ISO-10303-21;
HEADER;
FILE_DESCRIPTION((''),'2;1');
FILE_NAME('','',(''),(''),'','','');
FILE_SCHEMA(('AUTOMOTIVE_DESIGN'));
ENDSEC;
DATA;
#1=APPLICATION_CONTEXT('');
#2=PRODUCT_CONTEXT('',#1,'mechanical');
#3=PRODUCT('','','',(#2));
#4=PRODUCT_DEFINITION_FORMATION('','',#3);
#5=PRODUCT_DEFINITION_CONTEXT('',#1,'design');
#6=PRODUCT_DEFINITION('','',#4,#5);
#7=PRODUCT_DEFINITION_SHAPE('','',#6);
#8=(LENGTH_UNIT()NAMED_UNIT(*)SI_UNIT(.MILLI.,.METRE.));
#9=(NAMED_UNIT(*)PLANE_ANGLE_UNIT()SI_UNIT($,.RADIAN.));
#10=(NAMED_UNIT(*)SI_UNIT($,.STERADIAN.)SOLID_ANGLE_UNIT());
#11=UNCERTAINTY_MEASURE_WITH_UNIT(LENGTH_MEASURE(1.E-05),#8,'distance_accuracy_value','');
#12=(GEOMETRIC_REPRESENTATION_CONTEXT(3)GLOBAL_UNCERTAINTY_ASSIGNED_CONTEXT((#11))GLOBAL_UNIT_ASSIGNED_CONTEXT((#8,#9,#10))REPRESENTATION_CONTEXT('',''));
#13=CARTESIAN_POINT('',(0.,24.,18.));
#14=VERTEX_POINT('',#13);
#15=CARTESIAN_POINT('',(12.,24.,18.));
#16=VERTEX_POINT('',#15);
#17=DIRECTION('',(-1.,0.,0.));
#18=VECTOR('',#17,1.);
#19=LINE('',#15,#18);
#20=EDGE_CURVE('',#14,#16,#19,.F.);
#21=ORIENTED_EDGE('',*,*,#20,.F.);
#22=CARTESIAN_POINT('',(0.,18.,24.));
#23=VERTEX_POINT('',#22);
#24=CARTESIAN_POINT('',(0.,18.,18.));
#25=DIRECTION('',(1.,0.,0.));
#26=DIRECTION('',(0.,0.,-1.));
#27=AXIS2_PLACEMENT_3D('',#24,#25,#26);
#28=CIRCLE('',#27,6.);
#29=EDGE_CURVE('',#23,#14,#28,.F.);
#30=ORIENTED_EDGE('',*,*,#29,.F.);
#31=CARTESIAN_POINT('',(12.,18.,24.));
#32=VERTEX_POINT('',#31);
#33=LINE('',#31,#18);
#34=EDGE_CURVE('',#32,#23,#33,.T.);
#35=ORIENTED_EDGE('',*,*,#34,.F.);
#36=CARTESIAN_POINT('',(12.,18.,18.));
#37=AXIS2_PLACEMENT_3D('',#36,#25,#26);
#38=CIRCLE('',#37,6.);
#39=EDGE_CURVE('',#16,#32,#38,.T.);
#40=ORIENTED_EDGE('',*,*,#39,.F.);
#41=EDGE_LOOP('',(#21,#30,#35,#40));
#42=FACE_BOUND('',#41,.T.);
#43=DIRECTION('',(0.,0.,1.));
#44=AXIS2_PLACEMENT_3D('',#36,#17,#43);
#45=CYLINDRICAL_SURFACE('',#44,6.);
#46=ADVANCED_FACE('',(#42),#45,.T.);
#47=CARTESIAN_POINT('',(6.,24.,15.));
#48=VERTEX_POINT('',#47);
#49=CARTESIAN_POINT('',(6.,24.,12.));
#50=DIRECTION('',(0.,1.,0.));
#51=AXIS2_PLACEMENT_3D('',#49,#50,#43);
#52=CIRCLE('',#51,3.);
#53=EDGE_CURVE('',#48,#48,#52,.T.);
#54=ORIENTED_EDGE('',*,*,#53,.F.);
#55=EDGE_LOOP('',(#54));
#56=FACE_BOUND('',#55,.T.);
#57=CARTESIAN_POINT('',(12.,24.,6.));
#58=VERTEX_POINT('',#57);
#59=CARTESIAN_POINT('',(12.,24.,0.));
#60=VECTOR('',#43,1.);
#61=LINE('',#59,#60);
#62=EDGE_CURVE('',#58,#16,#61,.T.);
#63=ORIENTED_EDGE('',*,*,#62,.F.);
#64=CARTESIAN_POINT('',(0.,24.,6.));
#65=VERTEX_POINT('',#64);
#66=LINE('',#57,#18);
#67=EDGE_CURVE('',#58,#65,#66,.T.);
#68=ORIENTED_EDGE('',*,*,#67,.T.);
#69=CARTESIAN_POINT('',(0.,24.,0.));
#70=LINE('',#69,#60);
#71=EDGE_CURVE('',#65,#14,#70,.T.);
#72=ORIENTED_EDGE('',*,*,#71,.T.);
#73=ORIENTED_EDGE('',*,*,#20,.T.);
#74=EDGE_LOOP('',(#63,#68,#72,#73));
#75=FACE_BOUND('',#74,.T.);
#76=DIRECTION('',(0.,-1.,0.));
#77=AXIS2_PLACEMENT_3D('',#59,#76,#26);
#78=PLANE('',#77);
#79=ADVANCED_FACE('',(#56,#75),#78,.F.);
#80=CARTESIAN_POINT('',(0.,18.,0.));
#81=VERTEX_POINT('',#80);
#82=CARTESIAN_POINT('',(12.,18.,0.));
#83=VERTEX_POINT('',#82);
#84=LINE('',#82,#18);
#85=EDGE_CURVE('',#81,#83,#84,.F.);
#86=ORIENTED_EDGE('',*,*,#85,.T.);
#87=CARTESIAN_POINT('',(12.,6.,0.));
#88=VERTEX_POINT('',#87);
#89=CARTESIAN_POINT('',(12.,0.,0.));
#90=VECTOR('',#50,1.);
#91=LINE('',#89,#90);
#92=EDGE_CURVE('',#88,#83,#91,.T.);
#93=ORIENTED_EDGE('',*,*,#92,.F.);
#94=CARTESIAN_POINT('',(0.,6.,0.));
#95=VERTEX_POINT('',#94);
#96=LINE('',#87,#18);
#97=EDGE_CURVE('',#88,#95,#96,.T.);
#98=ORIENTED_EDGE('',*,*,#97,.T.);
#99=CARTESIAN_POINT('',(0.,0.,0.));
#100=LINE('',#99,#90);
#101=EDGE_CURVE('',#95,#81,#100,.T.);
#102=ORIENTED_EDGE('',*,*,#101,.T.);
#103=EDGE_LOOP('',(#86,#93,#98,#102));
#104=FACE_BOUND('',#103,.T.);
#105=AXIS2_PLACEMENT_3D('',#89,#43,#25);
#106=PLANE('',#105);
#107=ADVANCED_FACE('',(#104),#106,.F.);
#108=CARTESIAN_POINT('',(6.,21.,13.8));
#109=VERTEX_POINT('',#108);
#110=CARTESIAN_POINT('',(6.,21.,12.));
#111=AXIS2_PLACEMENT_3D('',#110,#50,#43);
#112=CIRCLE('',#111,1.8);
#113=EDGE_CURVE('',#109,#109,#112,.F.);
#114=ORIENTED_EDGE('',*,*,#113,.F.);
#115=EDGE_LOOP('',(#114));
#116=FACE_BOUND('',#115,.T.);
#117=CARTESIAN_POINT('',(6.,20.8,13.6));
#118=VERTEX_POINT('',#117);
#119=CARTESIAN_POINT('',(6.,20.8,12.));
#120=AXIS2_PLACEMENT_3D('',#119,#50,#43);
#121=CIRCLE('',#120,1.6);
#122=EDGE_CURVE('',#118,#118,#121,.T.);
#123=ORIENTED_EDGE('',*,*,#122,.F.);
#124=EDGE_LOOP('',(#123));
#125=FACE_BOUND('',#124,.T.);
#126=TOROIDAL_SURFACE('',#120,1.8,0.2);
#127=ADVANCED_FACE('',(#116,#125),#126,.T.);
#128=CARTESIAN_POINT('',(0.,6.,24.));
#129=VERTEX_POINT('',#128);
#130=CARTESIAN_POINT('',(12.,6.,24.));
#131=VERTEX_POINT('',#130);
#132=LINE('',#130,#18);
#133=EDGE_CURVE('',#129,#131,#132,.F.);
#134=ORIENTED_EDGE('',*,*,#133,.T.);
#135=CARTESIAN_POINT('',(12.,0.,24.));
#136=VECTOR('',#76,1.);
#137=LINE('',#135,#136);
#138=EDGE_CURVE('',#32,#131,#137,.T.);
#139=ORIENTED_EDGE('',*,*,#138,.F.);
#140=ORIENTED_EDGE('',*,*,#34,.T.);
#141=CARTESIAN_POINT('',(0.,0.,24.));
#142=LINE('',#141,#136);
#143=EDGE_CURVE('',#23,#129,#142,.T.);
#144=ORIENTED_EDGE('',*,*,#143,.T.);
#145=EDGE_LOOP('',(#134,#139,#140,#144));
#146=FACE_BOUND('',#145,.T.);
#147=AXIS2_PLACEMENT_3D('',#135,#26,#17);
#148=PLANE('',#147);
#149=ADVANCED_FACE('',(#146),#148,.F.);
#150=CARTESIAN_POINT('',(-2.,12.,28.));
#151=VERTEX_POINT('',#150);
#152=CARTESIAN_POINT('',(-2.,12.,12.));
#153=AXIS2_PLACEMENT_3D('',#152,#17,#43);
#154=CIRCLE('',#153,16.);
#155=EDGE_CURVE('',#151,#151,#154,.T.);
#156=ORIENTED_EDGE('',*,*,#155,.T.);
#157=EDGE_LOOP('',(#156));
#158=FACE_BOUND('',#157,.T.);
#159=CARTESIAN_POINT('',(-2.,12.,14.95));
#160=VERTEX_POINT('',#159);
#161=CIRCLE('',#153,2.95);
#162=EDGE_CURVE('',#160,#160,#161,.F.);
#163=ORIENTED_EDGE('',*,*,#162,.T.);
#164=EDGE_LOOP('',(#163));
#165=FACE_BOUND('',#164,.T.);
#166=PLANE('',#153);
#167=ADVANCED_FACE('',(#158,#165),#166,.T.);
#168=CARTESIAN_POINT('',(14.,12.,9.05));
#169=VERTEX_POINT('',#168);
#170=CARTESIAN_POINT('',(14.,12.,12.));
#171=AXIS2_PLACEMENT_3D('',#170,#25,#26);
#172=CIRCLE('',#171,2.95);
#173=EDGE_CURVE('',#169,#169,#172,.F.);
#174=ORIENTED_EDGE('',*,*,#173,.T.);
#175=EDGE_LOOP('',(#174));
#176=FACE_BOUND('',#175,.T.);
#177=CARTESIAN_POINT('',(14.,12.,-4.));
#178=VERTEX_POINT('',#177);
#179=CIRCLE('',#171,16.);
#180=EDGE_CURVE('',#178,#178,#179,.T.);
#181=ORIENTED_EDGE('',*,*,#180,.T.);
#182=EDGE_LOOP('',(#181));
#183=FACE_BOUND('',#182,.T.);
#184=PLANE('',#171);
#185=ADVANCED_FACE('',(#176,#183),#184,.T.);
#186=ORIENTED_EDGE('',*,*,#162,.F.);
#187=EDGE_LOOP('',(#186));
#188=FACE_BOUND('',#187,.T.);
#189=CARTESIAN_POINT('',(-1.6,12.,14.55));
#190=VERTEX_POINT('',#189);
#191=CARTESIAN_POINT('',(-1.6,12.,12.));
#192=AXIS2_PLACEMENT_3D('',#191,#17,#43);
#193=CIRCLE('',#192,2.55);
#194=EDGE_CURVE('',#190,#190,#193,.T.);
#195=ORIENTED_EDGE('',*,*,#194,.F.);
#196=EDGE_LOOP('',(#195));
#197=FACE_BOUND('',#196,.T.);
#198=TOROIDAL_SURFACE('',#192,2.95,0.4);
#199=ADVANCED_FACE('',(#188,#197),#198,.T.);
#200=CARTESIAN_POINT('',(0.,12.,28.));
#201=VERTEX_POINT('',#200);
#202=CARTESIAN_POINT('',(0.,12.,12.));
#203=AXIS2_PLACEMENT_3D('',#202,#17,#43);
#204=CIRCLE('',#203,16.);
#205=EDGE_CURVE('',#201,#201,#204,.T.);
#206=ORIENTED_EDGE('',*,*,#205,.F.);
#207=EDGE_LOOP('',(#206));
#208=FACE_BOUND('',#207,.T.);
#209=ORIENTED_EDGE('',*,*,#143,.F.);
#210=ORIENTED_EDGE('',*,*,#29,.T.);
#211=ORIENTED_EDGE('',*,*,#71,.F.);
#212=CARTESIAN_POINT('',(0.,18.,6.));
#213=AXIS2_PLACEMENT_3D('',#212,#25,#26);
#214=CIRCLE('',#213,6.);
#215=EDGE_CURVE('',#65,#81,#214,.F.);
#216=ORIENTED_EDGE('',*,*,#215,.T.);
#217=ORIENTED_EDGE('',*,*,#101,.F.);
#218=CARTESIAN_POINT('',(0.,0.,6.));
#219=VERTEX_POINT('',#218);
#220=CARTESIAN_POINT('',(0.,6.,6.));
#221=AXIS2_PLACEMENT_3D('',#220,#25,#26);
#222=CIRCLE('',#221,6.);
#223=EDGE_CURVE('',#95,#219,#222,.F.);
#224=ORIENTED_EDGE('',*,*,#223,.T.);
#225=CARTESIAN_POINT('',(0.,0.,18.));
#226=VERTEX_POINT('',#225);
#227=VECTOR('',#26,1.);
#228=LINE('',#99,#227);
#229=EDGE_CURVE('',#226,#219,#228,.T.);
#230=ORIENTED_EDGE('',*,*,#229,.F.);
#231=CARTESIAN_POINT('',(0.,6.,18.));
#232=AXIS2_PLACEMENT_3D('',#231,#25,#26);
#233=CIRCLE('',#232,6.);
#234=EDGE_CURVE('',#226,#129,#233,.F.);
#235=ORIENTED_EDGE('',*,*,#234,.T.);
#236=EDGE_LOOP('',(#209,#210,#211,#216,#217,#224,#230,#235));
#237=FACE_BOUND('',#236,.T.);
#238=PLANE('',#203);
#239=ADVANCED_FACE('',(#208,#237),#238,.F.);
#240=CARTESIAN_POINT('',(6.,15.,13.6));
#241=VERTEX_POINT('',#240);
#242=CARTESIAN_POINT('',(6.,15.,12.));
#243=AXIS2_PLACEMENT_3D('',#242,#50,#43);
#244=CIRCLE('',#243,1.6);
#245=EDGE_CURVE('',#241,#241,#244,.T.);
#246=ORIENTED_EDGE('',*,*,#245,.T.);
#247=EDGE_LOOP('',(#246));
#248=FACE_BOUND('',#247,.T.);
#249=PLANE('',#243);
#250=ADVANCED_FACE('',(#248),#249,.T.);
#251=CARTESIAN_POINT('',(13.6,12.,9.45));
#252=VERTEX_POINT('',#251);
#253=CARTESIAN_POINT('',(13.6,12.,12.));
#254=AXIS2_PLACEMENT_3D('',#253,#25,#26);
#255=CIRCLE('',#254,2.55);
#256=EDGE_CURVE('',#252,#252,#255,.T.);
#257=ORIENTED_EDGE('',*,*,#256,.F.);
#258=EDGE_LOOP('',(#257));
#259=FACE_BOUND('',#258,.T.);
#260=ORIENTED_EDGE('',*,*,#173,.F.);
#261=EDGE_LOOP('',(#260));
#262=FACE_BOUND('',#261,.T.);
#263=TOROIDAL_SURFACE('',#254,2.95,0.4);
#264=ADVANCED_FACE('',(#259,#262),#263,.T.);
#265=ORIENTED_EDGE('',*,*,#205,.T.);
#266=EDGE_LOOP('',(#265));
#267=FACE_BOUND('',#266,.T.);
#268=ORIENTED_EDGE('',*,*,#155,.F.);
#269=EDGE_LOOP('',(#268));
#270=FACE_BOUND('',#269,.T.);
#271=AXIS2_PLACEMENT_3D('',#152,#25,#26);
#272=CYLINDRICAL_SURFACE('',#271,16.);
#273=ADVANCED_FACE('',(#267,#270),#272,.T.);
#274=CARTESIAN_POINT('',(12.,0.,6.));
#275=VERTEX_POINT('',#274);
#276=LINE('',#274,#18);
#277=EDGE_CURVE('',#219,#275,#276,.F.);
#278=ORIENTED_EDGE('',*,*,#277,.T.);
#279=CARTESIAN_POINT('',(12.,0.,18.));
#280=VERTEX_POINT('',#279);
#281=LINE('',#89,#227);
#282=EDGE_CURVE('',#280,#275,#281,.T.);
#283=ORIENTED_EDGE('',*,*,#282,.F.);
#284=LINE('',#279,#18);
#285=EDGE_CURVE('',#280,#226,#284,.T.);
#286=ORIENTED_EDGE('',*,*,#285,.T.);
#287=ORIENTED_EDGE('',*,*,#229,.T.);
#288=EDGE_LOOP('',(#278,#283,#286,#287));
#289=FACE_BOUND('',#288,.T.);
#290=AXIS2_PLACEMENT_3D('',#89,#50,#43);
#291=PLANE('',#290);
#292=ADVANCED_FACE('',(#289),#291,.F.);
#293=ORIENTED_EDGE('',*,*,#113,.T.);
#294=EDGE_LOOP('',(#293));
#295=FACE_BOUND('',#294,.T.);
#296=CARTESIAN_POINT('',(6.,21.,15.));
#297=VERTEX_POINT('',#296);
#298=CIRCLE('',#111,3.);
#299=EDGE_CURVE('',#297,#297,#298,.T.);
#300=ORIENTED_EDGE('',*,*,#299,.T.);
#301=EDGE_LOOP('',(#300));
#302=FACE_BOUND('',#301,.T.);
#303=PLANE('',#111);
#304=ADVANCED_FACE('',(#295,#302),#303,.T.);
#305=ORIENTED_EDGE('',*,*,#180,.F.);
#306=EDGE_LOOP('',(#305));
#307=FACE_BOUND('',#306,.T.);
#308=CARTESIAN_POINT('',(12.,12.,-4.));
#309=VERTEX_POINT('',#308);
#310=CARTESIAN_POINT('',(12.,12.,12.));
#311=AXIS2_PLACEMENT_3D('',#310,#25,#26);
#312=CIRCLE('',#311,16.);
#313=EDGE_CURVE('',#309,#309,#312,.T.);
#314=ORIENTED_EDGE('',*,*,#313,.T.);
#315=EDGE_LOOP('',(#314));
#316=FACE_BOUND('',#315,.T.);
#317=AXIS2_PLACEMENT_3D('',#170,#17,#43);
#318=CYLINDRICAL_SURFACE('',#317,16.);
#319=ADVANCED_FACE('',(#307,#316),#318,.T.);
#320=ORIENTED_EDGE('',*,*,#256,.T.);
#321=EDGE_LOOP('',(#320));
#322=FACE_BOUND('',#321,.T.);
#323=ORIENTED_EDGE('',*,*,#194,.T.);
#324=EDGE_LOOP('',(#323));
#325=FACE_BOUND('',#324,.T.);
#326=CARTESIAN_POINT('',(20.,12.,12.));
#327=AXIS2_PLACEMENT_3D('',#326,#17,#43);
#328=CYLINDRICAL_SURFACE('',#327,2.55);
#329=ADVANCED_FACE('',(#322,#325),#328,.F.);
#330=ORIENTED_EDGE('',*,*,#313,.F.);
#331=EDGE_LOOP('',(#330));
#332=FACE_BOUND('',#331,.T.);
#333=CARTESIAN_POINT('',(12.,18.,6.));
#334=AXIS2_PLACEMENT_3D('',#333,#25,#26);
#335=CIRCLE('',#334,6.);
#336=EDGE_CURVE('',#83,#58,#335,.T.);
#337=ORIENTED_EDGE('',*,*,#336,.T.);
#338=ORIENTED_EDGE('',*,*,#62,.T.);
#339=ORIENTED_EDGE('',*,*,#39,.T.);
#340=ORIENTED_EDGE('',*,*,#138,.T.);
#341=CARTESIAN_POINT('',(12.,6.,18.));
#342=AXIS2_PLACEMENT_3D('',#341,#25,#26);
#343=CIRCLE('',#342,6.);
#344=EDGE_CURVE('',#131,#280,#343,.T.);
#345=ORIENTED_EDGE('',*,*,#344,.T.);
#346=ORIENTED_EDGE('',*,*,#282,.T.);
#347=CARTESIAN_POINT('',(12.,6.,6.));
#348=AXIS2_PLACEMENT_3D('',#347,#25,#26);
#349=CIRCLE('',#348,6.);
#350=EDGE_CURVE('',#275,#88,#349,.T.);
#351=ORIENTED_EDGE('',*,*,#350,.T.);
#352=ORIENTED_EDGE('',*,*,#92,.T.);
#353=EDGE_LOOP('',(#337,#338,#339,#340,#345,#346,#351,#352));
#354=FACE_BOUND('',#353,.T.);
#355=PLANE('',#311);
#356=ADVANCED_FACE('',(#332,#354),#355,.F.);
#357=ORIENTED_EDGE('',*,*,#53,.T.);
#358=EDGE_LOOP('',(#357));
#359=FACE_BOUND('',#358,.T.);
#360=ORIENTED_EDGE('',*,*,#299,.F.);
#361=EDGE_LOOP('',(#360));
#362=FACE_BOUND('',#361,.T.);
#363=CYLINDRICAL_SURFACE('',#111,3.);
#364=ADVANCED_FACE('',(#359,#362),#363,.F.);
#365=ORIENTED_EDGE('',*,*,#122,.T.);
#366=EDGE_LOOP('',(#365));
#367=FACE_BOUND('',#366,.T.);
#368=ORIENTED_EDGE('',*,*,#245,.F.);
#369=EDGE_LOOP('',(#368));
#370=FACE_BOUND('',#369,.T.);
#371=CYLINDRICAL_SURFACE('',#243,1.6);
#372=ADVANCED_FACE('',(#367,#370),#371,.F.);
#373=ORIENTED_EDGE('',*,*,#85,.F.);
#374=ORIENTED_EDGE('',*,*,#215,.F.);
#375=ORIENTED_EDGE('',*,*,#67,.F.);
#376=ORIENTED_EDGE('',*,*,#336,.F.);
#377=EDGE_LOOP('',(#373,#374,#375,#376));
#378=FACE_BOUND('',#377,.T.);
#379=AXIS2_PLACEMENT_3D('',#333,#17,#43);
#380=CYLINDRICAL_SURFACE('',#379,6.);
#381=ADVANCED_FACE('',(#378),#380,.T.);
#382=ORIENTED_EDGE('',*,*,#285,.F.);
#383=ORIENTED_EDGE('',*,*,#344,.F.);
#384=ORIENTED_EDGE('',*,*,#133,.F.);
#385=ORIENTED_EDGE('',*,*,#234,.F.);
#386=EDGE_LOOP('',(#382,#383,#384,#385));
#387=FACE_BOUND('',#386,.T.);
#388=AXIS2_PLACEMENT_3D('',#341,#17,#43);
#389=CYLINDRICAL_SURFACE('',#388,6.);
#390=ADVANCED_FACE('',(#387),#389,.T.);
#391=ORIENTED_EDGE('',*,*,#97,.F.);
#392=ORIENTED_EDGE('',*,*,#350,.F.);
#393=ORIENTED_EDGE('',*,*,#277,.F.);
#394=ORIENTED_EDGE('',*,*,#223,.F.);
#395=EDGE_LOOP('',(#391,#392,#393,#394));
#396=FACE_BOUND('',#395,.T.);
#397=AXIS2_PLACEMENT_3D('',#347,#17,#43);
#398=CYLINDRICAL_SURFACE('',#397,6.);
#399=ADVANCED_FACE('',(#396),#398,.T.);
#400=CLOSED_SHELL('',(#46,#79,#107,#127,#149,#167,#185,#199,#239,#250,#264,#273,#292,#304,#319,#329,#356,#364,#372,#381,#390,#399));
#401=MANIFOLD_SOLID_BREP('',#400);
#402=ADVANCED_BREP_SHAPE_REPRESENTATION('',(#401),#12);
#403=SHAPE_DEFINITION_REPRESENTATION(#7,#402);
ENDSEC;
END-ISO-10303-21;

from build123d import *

# Parameters (mm, degrees)
SKETCH_1_W          = 24
SKETCH_1_H          = 24
EXTRUDE_1_DEPTH     = 12
FILLET_1_R          = 6
SKETCH_3_R          = 1.6
CUT_EXTRUDE_1_DEPTH = 9
SKETCH_4_R          = 3
CUT_EXTRUDE_2_DEPTH = 3
SKETCH_5_R          = 1.55
CUT_EXTRUDE_3_DEPTH = 23
SKETCH_7_R          = 16
EXTRUDE_2_DEPTH     = 2
EXTRUDE_START       = 2
SKETCH_8_R          = 16
EXTRUDE_3_DEPTH     = 2
SKETCH_9_R          = 2.55
CUT_EXTRUDE_4_DEPTH = 22
FILLET_2_R          = 0.2
FILLET_3_R          = 0.4


with BuildPart() as part:
    # 草图1 → 凸台-拉伸1 (new body)
    with BuildSketch(Plane(origin=(0, 0, 0), x_dir=(0, 0, -1), z_dir=(1, 0, 0))):
        with Locations((-12, 12)):
            Rectangle(SKETCH_1_W, SKETCH_1_H)
    extrude(amount=EXTRUDE_1_DEPTH)

    # 圆角1
    fillet_1_edges = [part.edges().sort_by_distance(p)[0] for p in [
        (6, 0, 0),
        (6, 0, 24),
        (6, 24, 24),
        (6, 24, 0),
    ]]
    fillet(fillet_1_edges, radius=FILLET_1_R)

    # 草图3 → 切除-拉伸1 (cut)
    with BuildSketch(Plane(origin=(0, 24, 0), x_dir=(1, 0, 0), z_dir=(0, 1, 0))):
        with Locations(Location((6, -12, 0), (0, 0, 270))):
            Circle(SKETCH_3_R)
    extrude(amount=-CUT_EXTRUDE_1_DEPTH, mode=Mode.SUBTRACT)

    # 草图4 → 切除-拉伸2 (cut)
    with BuildSketch(Plane(origin=(0, 24, 0), x_dir=(1, 0, 0), z_dir=(0, 1, 0))):
        with Locations(Location((6, -12, 0), (0, 0, 270))):
            Circle(SKETCH_4_R)
    extrude(amount=-CUT_EXTRUDE_2_DEPTH, mode=Mode.SUBTRACT)

    # 草图5 → 切除-拉伸3 (cut)
    with BuildSketch(Plane.ZY):
        with Locations((12, 12)):
            Circle(SKETCH_5_R)
    extrude(amount=-CUT_EXTRUDE_3_DEPTH, mode=Mode.SUBTRACT)

    # 草图7 → 凸台-拉伸2 (add)
    with BuildSketch(Plane(origin=(12, 0, 0), x_dir=(0, 0, -1), z_dir=(1, 0, 0))):
        with Locations((-12, 12)):
            Circle(SKETCH_7_R)
    extrude(amount=EXTRUDE_2_DEPTH)

    # 草图8 → 凸台-拉伸3 (add)
    with BuildSketch(Plane.ZY.offset(EXTRUDE_START)):
        with Locations(Location((12, 12, 0), (0, 0, 180))):
            Circle(SKETCH_8_R)
    extrude(amount=-EXTRUDE_3_DEPTH)

    # 草图9 → 切除-拉伸4 (cut)
    with BuildSketch(Plane.ZY.offset(2)):
        with Locations((12, 12)):
            Circle(SKETCH_9_R)
    extrude(amount=-CUT_EXTRUDE_4_DEPTH, mode=Mode.SUBTRACT)

    # 圆角2
    fillet_2_edges = [part.edges().sort_by_distance(p)[0] for p in [
        (6, 21, 10.4),
    ]]
    fillet(fillet_2_edges, radius=FILLET_2_R)

    # 圆角3
    fillet_3_edges = [part.edges().sort_by_distance(p)[0] for p in [
        (14, 12, 9.45),
        (-2, 12, 9.45),
    ]]
    fillet(fillet_3_edges, radius=FILLET_3_R)


solid = part.part
